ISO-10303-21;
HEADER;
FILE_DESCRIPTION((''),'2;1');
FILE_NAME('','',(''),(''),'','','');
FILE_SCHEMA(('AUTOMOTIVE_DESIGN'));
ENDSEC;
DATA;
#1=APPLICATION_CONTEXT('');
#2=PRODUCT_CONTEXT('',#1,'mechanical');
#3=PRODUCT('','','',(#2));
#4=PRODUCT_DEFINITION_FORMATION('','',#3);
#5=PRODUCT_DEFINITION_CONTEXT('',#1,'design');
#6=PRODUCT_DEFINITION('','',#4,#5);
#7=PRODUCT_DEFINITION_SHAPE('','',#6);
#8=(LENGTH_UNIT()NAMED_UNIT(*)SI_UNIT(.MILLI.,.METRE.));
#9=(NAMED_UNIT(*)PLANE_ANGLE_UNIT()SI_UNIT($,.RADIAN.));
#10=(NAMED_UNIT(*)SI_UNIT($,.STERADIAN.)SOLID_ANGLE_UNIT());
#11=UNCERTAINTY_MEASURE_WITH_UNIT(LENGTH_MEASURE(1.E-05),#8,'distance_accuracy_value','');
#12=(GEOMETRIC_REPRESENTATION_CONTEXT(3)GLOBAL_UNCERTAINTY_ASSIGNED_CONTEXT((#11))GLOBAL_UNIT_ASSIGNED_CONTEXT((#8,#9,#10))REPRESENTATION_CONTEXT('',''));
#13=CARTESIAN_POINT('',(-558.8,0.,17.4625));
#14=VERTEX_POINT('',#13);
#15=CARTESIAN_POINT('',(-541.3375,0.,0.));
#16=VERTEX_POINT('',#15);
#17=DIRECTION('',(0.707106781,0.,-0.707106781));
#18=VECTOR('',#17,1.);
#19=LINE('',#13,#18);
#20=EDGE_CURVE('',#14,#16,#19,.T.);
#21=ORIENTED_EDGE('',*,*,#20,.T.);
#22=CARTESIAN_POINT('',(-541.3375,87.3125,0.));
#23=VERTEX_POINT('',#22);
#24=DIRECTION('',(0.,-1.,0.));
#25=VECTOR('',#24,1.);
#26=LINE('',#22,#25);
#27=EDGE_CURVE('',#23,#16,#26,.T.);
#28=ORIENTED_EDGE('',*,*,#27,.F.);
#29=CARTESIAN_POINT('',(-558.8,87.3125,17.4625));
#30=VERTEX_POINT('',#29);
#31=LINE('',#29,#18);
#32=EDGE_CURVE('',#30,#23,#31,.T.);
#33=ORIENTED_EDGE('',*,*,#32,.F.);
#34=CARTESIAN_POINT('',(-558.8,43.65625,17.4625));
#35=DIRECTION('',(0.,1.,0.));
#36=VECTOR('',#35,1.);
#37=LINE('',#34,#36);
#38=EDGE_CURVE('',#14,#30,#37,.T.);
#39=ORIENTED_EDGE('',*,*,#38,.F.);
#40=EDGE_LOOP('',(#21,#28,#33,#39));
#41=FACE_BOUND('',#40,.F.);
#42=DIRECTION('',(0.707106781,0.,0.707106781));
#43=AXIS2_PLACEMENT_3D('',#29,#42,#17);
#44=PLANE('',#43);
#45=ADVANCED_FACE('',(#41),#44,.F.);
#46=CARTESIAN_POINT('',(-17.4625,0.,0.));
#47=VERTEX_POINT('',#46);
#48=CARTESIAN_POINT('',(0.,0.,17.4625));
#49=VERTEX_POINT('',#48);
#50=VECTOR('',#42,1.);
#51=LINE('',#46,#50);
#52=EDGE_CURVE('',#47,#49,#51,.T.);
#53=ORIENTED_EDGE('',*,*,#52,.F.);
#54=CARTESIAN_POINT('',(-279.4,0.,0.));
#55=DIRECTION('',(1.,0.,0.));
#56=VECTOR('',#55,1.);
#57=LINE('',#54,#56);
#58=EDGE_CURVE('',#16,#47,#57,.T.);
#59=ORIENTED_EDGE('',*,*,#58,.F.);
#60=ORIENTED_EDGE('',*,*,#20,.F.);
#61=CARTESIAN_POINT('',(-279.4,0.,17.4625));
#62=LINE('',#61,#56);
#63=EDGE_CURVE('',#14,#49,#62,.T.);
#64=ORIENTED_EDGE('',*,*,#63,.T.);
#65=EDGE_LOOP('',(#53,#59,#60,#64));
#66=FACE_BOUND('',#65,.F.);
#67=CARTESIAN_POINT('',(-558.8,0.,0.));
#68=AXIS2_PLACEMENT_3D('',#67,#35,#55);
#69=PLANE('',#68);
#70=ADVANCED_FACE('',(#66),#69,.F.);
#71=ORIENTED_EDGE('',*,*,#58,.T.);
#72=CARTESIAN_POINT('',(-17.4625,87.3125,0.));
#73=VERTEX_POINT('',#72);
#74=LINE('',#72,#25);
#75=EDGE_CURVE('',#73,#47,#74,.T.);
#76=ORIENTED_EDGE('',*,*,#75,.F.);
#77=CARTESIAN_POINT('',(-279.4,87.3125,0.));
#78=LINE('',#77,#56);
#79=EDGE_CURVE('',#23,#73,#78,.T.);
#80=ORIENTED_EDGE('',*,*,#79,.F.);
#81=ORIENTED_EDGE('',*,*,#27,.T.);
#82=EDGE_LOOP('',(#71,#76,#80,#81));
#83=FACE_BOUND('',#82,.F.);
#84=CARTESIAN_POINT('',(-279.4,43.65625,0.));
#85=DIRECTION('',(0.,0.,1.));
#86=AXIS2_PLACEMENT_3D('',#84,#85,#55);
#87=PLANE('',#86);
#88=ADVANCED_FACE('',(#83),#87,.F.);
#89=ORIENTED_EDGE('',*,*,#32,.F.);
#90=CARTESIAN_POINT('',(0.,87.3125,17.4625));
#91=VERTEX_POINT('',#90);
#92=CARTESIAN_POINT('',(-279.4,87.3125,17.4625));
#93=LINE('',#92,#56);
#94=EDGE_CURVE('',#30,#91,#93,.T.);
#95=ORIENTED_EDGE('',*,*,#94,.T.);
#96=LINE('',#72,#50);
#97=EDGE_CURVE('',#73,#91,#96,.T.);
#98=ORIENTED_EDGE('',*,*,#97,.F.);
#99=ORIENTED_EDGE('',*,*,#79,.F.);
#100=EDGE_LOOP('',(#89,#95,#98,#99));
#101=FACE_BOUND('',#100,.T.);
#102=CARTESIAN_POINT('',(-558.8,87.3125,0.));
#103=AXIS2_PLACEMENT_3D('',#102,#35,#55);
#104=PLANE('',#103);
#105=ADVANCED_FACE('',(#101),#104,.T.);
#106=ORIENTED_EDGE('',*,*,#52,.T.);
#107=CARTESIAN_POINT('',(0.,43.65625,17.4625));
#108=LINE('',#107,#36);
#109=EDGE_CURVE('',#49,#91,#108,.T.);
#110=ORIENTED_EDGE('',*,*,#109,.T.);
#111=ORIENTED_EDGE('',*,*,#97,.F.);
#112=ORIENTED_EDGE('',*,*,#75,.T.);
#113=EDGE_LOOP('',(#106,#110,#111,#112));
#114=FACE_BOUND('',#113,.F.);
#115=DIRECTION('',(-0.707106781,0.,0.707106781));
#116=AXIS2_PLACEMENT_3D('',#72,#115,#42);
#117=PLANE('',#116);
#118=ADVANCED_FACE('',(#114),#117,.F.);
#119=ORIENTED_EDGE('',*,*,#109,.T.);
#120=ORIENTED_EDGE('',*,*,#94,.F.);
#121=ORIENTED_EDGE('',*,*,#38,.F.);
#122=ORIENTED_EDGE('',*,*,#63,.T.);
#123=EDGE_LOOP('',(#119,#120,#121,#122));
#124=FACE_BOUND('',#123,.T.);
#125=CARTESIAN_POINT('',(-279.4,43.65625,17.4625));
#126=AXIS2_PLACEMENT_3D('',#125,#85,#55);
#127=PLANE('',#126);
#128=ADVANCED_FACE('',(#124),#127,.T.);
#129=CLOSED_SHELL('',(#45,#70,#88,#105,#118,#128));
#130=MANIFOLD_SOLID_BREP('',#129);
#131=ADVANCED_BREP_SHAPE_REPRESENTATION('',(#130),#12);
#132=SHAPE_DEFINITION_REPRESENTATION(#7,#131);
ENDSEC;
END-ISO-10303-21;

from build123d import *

# Parameters (mm, degrees)
F0_W     = 558.8
F0_H     = 87.3125
F1_DEPTH = 17.4625
F3_DEPTH = 87.3125


with BuildPart() as f1:
    # F0 (on Top) → F1 (new body)
    with BuildSketch(Plane.XY):
        with Locations((-279.4, 43.65625)):
            Rectangle(F0_W, F0_H)
    extrude(amount=F1_DEPTH)

    # F2 (on face) → F3 (cut)
    with BuildSketch(Plane(origin=(0, 87.3125, 0), x_dir=(-1, 0, 0), z_dir=(0, 1, 0))):
        Polygon((17.4625, 0), (0, 17.4625), (0, 0), align=None)
        Polygon((558.8, 0), (558.8, 17.4625), (541.3375, 0), align=None)
    extrude(amount=-F3_DEPTH, mode=Mode.SUBTRACT)


solid = f1.part
